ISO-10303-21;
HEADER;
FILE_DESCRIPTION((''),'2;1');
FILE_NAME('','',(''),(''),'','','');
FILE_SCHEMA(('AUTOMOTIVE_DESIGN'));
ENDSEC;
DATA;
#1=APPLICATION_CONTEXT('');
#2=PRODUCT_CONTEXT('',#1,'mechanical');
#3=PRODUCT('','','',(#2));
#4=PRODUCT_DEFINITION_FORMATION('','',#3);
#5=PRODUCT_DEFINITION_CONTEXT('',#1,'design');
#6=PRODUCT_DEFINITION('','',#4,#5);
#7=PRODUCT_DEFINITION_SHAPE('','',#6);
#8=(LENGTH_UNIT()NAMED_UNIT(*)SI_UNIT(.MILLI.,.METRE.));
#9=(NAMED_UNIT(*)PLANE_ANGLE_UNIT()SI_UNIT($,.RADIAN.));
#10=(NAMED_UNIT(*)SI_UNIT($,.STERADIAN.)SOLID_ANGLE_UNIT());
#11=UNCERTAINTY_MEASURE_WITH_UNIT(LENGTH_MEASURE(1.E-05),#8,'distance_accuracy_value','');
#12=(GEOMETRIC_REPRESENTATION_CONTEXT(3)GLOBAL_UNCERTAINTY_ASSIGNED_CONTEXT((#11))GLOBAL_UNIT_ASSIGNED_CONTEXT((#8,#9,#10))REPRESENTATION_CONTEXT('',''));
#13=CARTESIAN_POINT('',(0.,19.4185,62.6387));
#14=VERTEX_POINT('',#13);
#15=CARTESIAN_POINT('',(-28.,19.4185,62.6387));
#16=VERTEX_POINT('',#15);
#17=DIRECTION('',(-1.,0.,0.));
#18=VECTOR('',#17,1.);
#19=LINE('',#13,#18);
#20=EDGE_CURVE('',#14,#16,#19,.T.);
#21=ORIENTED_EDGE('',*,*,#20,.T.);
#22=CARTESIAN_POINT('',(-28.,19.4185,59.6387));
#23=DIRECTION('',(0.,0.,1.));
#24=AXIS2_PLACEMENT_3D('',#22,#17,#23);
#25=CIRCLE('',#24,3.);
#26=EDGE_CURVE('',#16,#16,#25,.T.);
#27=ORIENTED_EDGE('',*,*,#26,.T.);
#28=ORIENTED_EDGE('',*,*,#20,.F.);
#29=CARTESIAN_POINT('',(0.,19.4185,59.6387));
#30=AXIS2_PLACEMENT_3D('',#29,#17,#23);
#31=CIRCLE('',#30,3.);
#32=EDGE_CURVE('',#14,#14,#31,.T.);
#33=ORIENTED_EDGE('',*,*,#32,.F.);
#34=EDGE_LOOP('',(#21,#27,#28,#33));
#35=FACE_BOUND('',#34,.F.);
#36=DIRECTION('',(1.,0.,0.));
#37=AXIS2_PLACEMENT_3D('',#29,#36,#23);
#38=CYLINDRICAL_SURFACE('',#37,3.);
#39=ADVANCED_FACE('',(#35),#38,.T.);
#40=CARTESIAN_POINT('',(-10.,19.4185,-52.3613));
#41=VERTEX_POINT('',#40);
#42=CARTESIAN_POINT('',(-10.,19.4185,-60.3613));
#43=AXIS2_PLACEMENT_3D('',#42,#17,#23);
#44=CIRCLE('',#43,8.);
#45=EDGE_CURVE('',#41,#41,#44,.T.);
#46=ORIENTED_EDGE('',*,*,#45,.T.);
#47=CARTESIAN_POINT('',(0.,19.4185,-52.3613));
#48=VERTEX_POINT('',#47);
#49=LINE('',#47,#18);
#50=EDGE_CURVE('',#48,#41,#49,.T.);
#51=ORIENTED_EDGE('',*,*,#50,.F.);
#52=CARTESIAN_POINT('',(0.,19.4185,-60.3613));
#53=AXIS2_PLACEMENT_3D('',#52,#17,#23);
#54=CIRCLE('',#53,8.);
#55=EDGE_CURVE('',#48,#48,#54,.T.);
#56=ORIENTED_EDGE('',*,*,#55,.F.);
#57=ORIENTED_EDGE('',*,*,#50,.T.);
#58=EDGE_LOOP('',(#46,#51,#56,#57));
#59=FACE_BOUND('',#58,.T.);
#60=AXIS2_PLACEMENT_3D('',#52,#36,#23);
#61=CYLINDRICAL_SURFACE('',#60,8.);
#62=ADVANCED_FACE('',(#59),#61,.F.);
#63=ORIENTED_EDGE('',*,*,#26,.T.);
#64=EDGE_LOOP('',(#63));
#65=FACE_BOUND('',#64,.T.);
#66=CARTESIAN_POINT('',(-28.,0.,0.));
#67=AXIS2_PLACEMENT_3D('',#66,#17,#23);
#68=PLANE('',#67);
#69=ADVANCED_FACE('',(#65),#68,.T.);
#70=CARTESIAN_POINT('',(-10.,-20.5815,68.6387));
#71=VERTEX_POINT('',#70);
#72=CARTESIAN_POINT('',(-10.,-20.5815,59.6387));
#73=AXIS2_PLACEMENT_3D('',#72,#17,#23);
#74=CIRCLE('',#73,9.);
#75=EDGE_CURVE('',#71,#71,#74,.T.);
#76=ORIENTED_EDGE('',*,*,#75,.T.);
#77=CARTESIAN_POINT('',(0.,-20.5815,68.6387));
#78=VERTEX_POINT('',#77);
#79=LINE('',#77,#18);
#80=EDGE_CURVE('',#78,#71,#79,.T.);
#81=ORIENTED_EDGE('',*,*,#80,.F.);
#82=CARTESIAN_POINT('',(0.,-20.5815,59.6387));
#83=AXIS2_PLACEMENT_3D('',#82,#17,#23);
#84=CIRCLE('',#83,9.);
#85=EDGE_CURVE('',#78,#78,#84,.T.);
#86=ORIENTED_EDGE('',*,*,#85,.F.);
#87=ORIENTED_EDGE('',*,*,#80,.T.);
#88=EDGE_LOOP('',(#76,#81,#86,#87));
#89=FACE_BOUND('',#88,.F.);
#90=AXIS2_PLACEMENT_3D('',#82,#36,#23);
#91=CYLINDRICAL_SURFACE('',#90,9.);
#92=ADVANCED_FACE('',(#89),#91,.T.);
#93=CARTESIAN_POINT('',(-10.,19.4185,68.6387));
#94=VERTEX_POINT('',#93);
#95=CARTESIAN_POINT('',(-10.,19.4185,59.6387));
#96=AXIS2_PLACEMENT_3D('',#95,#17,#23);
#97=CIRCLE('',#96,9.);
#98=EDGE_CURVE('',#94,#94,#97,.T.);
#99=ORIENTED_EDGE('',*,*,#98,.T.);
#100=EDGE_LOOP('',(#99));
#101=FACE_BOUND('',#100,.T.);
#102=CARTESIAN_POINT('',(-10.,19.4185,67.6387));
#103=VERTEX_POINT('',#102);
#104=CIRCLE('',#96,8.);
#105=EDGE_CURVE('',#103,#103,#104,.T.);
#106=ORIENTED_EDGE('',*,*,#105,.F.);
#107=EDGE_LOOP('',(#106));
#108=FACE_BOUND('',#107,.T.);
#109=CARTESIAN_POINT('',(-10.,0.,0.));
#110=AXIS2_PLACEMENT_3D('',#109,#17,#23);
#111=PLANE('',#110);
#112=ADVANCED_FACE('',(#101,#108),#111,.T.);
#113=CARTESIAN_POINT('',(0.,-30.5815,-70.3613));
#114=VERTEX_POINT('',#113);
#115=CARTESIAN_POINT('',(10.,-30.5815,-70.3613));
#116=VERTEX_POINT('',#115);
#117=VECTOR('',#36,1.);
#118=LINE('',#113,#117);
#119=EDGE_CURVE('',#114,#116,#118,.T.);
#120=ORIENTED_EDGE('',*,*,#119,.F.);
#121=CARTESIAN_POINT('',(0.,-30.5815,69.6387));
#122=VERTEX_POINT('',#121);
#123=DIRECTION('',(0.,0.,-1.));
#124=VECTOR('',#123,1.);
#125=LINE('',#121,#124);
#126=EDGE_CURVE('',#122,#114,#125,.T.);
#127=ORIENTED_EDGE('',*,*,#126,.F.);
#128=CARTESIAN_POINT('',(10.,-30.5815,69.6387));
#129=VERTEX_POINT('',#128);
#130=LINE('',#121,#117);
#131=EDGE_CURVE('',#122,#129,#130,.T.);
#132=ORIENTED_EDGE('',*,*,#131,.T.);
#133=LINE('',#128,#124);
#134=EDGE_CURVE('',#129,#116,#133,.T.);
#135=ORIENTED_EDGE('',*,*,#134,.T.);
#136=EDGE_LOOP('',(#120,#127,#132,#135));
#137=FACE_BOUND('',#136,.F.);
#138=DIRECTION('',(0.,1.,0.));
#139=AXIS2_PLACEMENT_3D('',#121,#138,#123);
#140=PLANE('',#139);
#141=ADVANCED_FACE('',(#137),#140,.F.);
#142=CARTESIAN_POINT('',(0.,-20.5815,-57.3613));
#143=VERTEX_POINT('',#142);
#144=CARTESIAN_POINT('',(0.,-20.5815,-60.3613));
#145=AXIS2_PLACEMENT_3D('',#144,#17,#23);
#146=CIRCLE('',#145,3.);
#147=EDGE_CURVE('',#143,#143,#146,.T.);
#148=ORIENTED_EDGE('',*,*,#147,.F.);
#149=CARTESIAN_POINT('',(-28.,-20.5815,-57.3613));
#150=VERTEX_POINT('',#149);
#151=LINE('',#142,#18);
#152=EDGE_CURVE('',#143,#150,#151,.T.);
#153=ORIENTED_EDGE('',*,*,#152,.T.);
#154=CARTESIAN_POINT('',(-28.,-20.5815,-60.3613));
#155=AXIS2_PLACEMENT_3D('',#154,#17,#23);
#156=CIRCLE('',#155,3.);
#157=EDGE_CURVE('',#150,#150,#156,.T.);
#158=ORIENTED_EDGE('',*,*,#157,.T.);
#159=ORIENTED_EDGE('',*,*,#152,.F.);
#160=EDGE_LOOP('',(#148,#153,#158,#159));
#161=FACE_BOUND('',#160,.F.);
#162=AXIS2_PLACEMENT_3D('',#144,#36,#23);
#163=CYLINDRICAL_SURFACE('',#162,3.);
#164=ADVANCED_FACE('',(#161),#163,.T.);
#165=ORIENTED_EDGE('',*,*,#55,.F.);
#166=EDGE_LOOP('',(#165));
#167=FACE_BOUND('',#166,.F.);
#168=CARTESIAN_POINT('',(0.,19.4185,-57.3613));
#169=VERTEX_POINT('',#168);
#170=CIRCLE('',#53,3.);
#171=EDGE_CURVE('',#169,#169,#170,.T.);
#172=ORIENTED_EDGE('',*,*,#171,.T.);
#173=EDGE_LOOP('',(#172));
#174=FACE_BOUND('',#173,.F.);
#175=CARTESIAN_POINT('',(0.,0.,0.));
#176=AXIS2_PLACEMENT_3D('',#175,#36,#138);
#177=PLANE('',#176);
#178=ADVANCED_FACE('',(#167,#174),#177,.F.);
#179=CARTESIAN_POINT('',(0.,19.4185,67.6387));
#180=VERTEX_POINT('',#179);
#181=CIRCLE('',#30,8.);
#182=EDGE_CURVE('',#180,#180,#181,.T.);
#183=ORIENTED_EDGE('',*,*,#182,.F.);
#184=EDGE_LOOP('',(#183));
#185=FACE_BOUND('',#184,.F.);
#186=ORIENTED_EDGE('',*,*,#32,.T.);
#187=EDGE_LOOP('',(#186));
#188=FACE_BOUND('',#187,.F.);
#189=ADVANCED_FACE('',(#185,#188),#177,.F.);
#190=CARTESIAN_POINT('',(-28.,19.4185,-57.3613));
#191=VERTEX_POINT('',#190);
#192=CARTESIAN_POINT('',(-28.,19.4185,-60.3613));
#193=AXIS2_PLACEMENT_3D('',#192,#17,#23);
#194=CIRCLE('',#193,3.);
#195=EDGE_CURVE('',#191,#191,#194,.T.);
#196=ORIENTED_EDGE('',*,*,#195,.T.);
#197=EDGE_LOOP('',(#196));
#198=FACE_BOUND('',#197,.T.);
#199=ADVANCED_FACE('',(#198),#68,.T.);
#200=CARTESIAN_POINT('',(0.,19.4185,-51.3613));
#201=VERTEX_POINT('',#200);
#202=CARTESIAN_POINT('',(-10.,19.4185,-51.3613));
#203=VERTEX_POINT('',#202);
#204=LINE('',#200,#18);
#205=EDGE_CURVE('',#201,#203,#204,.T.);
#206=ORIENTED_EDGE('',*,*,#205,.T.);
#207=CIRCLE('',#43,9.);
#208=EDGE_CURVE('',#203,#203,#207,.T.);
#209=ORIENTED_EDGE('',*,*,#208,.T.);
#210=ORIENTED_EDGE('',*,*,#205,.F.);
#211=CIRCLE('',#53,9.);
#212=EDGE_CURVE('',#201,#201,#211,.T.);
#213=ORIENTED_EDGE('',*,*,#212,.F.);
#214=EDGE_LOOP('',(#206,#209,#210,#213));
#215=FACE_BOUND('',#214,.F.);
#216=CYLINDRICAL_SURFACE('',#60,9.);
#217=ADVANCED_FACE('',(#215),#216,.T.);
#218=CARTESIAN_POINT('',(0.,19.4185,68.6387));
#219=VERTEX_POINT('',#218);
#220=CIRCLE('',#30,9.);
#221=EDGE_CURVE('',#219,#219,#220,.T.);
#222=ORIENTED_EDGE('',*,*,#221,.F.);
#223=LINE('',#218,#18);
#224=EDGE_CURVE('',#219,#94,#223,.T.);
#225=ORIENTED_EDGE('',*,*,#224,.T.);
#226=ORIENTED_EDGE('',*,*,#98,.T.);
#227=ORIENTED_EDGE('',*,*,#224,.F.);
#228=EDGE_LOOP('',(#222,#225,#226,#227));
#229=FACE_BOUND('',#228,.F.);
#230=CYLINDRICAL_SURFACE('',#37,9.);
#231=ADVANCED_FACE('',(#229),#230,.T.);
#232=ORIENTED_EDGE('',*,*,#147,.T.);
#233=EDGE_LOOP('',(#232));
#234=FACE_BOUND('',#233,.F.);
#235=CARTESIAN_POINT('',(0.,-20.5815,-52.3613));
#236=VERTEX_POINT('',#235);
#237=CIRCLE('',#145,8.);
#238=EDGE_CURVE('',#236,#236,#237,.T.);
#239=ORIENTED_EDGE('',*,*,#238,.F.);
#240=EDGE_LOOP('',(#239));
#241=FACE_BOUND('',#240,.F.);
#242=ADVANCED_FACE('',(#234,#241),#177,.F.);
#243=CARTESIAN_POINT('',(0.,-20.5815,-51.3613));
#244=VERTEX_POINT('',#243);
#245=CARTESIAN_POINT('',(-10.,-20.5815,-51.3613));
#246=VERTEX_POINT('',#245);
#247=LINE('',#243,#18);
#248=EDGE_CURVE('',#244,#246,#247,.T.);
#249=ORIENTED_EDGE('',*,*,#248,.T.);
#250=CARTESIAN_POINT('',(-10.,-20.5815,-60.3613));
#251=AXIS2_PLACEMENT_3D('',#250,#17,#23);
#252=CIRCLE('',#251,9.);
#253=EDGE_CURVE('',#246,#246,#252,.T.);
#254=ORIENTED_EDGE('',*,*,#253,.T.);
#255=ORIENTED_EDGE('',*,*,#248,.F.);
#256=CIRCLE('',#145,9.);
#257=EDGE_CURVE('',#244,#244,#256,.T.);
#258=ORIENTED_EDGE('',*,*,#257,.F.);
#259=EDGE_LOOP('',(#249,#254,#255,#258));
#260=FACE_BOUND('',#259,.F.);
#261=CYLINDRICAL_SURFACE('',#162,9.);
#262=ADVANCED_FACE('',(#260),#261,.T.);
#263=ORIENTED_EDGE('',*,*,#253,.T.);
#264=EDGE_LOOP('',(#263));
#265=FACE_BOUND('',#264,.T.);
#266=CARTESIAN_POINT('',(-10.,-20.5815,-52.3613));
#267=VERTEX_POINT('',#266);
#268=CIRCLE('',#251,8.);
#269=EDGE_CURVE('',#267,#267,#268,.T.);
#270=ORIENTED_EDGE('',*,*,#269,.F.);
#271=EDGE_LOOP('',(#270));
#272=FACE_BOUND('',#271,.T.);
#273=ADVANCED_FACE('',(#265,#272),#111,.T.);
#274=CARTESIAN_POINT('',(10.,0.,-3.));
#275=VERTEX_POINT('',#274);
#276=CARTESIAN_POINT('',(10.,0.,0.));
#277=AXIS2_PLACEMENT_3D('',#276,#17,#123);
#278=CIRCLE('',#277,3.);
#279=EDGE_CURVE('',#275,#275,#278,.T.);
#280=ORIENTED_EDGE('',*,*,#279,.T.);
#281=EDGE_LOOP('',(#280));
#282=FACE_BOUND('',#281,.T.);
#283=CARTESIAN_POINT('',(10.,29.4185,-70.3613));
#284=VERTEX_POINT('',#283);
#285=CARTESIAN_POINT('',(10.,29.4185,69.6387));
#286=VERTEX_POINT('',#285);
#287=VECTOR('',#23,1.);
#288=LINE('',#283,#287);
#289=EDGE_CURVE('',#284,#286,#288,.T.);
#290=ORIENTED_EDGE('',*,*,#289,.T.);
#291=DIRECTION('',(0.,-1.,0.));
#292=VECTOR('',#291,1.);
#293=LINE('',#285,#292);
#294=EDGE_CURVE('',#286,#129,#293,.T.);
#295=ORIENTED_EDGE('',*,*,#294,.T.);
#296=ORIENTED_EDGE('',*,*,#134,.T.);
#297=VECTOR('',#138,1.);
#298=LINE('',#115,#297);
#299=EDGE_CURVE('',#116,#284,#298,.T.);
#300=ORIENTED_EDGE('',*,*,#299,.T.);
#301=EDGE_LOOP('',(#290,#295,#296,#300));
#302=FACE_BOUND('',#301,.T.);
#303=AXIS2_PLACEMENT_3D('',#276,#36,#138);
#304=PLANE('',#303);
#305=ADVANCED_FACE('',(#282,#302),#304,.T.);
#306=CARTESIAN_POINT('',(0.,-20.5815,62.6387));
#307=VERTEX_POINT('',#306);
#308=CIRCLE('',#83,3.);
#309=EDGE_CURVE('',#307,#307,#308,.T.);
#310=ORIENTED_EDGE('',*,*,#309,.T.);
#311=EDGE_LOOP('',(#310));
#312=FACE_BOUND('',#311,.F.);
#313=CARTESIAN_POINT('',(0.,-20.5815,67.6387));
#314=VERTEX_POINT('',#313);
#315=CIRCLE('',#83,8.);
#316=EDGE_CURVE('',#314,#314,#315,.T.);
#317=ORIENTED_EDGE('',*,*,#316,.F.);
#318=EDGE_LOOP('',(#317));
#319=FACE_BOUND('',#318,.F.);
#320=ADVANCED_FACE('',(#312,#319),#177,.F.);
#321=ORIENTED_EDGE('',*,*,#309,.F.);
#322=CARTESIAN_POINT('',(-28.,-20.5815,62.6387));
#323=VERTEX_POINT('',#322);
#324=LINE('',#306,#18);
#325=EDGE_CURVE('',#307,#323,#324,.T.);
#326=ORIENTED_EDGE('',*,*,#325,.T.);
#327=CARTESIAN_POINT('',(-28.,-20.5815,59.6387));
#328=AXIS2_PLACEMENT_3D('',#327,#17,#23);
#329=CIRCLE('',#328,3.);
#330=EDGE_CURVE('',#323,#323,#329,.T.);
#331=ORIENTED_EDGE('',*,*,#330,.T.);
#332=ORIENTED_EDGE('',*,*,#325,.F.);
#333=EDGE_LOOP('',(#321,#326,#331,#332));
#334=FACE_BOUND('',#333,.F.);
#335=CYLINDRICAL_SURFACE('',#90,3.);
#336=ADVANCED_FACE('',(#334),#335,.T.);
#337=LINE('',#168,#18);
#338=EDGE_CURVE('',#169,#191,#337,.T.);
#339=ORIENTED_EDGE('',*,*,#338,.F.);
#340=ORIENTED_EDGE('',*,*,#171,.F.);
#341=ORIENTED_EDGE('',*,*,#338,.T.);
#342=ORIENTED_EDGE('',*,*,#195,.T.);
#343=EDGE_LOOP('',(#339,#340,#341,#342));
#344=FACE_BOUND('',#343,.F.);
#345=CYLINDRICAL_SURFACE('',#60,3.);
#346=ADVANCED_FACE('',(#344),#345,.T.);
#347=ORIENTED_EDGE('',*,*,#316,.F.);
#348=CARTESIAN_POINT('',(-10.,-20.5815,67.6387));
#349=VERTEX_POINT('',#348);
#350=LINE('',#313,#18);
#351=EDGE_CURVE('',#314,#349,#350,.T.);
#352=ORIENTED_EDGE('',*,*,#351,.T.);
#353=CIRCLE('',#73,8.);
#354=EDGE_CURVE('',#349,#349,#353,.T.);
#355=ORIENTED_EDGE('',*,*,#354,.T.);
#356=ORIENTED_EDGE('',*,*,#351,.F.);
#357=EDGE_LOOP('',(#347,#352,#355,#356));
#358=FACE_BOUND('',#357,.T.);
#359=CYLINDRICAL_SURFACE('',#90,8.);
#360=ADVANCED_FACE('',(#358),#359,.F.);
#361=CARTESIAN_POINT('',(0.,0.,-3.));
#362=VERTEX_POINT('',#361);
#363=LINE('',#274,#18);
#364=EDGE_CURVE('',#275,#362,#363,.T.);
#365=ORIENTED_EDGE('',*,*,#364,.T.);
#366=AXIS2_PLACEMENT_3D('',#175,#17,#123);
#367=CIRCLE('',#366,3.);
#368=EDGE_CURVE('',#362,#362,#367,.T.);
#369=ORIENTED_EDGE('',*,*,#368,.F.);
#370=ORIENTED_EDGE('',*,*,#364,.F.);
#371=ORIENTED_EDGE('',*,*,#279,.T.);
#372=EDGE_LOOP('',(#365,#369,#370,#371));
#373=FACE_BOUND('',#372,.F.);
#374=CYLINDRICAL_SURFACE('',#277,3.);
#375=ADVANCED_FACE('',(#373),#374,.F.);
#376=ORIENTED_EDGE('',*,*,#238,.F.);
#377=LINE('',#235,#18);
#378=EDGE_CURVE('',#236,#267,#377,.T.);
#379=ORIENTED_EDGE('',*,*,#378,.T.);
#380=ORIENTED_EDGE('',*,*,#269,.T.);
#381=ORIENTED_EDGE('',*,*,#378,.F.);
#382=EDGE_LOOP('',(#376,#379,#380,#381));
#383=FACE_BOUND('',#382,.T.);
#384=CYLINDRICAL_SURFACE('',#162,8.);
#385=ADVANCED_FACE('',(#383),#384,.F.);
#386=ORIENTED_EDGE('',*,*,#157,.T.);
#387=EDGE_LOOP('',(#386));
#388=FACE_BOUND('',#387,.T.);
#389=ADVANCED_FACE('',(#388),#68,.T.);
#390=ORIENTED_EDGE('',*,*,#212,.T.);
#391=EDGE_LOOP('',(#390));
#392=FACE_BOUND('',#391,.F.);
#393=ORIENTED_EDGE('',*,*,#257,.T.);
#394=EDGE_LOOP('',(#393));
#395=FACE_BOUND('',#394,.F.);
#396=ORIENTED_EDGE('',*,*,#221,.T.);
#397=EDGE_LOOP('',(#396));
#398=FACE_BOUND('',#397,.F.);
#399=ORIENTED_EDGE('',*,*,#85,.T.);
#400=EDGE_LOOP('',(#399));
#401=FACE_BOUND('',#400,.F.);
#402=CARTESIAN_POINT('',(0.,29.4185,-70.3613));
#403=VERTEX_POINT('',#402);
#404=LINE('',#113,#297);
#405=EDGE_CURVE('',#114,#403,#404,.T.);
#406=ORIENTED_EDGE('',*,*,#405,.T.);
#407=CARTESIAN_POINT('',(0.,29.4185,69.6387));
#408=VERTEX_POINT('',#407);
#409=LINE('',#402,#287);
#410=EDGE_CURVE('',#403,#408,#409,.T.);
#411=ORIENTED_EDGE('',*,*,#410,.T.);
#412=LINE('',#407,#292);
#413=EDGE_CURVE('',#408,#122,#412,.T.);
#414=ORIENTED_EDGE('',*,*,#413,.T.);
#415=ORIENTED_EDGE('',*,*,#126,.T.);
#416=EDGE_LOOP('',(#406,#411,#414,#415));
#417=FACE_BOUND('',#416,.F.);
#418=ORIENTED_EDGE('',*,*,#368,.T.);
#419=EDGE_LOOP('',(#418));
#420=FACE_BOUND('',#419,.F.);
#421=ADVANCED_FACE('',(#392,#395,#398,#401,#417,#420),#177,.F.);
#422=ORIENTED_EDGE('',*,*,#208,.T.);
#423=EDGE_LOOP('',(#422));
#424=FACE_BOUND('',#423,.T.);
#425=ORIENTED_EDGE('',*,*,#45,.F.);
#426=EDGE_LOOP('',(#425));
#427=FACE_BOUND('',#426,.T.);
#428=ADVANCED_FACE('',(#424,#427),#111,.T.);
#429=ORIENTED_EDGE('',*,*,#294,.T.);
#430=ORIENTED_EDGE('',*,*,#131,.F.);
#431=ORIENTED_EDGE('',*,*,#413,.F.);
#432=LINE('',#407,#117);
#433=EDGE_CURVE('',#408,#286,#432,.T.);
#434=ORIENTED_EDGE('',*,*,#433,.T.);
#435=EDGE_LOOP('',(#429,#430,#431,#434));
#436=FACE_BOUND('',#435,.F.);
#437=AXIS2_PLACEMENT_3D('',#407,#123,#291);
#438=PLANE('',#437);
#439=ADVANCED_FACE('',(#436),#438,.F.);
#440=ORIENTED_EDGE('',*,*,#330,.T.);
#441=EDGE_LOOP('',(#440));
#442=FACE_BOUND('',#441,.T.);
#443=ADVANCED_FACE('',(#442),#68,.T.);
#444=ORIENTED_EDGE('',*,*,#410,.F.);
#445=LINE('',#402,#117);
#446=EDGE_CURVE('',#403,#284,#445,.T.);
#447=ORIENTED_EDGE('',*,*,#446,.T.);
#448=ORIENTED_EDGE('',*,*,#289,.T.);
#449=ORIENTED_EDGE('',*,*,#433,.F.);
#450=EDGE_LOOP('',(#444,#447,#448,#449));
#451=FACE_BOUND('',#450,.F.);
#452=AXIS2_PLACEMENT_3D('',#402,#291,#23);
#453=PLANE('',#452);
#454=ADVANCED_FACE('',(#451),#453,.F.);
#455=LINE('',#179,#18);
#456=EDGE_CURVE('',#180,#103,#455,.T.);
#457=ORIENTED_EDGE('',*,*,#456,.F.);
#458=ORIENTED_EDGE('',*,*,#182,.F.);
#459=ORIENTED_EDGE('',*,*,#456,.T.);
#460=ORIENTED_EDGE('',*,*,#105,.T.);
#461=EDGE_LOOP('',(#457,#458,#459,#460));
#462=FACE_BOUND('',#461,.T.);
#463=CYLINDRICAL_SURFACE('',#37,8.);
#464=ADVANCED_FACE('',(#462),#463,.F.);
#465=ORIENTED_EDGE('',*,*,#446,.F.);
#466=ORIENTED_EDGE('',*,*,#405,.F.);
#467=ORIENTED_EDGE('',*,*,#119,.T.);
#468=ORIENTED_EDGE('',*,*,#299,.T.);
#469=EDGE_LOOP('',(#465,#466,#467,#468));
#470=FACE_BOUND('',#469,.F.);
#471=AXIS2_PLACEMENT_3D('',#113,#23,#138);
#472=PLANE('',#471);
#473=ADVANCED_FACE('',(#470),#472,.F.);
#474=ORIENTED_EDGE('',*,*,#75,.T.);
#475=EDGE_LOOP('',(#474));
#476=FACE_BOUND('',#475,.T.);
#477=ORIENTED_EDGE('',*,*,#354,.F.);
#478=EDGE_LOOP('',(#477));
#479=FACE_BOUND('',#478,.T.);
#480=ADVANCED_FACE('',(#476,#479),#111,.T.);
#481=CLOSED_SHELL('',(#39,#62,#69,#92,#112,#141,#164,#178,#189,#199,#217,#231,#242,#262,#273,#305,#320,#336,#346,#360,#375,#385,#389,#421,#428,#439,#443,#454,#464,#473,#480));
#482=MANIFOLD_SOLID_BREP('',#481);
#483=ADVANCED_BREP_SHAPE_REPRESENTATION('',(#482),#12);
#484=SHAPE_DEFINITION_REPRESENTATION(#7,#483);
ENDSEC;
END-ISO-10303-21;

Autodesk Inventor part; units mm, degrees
ref_plane "YZ Plane" through (0, 0, 0) normal (1, 0, 0) x (0, 1, 0)
ref_plane "XZ Plane" through (0, 0, 0) normal (0, 1, 0) x (-1, 0, 0)
ref_plane "XY Plane" through (0, 0, 0) normal (0, 0, 1) x (1, 0, 0)
sketch "スケッチ1" plane through (0, 0, 0) normal (1, 0, 0) x (0, 1, 0)
  point P0 (0, 0)
sketch "スケッチ2" plane through (0, 0, 0) normal (1, 0, 0) x (0, 1, 0)
  line L0 (29.4185, 69.6387) -> (-30.5815, 69.6387)
  line L1 (-30.5815, 69.6387) -> (-30.5815, -70.3613)
  line L2 (-30.5815, -70.3613) -> (29.4185, -70.3613)
  line L3 (29.4185, -70.3613) -> (29.4185, 69.6387)
  point P0 (0, 0)
  dimension "d0" = 60
  dimension "d1" = 140
extrude "押し出し1" add sketch "スケッチ2" along normal blind 10
sketch "スケッチ3" plane through (0, 0, 0) normal (-1, 0, 0) x (0, 0, 1)
  circle A0 centre (-60.3613, 19.4185) radius 9
  line L0 (-70.3613, 29.4185) -> (69.6387, 29.4185) projected
  line L1 (-70.3613, -30.5815) -> (-70.3613, 29.4185) projected
  circle A1 centre (-60.3613, -20.5815) radius 9
  line L2 (69.6387, -30.5815) -> (-70.3613, -30.5815) projected
  circle A2 centre (59.6387, -20.5815) radius 9
  line L3 (69.6387, 29.4185) -> (69.6387, -30.5815) projected
  circle A3 centre (59.6387, 19.4185) radius 9
  circle A4 centre (-60.3613, 19.4185) radius 8
  circle A5 centre (-60.3613, -20.5815) radius 8
  circle A6 centre (59.6387, 19.4185) radius 8
  circle A7 centre (59.6387, -20.5815) radius 8
  point P0 (0, 0)
  dimension "d4" = 18
  dimension "d5" = 10
  dimension "d6" = 10
  dimension "d7" = 18
  dimension "d8" = 10
  dimension "d9" = 18
  dimension "d10" = 10
  dimension "d11" = 18
  dimension "d12" = 16
  dimension "d13" = 16
  dimension "d14" = 16
  dimension "d15" = 16
extrude "押し出し2" add sketch "スケッチ3" along normal blind 10 contours A0 | A1 | A2 | A3
sketch "スケッチ4" plane through (0, 0, 0) normal (-1, 0, 0) x (0, 0, 1)
  point P0 (0, 0)
sketch "スケッチ5" plane through (0, 0, 0) normal (-1, 0, 0) x (0, 0, 1)
  circle A0 centre (-60.3613, 19.4185) radius 3
  line L0 (-70.3613, 29.4185) -> (69.6387, 29.4185) projected
  line L1 (-70.3613, -30.5815) -> (-70.3613, 29.4185) projected
  circle A1 centre (-60.3613, -20.5815) radius 3
  line L2 (69.6387, -30.5815) -> (-70.3613, -30.5815) projected
  circle A2 centre (59.6387, 19.4185) radius 3
  line L3 (69.6387, 29.4185) -> (69.6387, -30.5815) projected
  point P0 (0, 0)
  dimension "d18" = 6
  dimension "d19" = 10
  dimension "d20" = 10
  dimension "d21" = 6
  dimension "d22" = 10
  dimension "d23" = 6
  dimension "d24" = 10
sketch "スケッチ6" plane through (0, 0, 0) normal (-1, 0, 0) x (0, 0, 1)
  circle A0 centre (-60.3613, 19.4185) radius 3
  circle A1 centre (59.6387, 19.4185) radius 3
  circle A2 centre (59.6387, -20.5815) radius 3
  line L0 (69.6387, 29.4185) -> (69.6387, -30.5815) projected
  line L1 (69.6387, -30.5815) -> (-70.3613, -30.5815) projected
  point P0 (0, 0)
  dimension "d25" = 6
  dimension "d26" = 6
  dimension "d27" = 6
  dimension "d28" = 10
  dimension "d29" = 10
extrude "押し出し3" add sketch "スケッチ6" along normal blind 28
extrude "押し出し4" add sketch "スケッチ5" along normal blind 28 contours A1
sketch "スケッチ7" plane through (10, 0, 0) normal (1, 0, 0) x (0, 0, -1)
  point P0 (0, 0)
sketch "スケッチ8" plane through (10, 0, 0) normal (1, 0, 0) x (0, 0, -1)
  circle A0 centre (0, 0) radius 1
  dimension "d35" = 2
sketch "スケッチ9" plane through (10, 0, 0) normal (1, 0, 0) x (0, 0, -1)
  circle A0 centre (0, 0) radius 3
  dimension "d36" = 6
hole "穴1" at (10, 0, 0) direction (-1, 0, 0) diameter 6 depth 10
equation "\"BendRadius\" = Thickness"
equation "\"BendReliefWidth\" = Thickness"
equation "\"BendReliefDepth\" = 0.5 * Thickness"
equation "\"CornerReliefSize\" = 4 * Thickness"
equation "\"MinimumRemnant\" = 2 * Thickness"
equation "\"TransitionRadius\" = BendRadius"
equation "\"JacobiRadiusSize\" = BendRadius"
equation "\"GapSize\" = Thickness"
equation "\"Thickness\" = 0.5"
